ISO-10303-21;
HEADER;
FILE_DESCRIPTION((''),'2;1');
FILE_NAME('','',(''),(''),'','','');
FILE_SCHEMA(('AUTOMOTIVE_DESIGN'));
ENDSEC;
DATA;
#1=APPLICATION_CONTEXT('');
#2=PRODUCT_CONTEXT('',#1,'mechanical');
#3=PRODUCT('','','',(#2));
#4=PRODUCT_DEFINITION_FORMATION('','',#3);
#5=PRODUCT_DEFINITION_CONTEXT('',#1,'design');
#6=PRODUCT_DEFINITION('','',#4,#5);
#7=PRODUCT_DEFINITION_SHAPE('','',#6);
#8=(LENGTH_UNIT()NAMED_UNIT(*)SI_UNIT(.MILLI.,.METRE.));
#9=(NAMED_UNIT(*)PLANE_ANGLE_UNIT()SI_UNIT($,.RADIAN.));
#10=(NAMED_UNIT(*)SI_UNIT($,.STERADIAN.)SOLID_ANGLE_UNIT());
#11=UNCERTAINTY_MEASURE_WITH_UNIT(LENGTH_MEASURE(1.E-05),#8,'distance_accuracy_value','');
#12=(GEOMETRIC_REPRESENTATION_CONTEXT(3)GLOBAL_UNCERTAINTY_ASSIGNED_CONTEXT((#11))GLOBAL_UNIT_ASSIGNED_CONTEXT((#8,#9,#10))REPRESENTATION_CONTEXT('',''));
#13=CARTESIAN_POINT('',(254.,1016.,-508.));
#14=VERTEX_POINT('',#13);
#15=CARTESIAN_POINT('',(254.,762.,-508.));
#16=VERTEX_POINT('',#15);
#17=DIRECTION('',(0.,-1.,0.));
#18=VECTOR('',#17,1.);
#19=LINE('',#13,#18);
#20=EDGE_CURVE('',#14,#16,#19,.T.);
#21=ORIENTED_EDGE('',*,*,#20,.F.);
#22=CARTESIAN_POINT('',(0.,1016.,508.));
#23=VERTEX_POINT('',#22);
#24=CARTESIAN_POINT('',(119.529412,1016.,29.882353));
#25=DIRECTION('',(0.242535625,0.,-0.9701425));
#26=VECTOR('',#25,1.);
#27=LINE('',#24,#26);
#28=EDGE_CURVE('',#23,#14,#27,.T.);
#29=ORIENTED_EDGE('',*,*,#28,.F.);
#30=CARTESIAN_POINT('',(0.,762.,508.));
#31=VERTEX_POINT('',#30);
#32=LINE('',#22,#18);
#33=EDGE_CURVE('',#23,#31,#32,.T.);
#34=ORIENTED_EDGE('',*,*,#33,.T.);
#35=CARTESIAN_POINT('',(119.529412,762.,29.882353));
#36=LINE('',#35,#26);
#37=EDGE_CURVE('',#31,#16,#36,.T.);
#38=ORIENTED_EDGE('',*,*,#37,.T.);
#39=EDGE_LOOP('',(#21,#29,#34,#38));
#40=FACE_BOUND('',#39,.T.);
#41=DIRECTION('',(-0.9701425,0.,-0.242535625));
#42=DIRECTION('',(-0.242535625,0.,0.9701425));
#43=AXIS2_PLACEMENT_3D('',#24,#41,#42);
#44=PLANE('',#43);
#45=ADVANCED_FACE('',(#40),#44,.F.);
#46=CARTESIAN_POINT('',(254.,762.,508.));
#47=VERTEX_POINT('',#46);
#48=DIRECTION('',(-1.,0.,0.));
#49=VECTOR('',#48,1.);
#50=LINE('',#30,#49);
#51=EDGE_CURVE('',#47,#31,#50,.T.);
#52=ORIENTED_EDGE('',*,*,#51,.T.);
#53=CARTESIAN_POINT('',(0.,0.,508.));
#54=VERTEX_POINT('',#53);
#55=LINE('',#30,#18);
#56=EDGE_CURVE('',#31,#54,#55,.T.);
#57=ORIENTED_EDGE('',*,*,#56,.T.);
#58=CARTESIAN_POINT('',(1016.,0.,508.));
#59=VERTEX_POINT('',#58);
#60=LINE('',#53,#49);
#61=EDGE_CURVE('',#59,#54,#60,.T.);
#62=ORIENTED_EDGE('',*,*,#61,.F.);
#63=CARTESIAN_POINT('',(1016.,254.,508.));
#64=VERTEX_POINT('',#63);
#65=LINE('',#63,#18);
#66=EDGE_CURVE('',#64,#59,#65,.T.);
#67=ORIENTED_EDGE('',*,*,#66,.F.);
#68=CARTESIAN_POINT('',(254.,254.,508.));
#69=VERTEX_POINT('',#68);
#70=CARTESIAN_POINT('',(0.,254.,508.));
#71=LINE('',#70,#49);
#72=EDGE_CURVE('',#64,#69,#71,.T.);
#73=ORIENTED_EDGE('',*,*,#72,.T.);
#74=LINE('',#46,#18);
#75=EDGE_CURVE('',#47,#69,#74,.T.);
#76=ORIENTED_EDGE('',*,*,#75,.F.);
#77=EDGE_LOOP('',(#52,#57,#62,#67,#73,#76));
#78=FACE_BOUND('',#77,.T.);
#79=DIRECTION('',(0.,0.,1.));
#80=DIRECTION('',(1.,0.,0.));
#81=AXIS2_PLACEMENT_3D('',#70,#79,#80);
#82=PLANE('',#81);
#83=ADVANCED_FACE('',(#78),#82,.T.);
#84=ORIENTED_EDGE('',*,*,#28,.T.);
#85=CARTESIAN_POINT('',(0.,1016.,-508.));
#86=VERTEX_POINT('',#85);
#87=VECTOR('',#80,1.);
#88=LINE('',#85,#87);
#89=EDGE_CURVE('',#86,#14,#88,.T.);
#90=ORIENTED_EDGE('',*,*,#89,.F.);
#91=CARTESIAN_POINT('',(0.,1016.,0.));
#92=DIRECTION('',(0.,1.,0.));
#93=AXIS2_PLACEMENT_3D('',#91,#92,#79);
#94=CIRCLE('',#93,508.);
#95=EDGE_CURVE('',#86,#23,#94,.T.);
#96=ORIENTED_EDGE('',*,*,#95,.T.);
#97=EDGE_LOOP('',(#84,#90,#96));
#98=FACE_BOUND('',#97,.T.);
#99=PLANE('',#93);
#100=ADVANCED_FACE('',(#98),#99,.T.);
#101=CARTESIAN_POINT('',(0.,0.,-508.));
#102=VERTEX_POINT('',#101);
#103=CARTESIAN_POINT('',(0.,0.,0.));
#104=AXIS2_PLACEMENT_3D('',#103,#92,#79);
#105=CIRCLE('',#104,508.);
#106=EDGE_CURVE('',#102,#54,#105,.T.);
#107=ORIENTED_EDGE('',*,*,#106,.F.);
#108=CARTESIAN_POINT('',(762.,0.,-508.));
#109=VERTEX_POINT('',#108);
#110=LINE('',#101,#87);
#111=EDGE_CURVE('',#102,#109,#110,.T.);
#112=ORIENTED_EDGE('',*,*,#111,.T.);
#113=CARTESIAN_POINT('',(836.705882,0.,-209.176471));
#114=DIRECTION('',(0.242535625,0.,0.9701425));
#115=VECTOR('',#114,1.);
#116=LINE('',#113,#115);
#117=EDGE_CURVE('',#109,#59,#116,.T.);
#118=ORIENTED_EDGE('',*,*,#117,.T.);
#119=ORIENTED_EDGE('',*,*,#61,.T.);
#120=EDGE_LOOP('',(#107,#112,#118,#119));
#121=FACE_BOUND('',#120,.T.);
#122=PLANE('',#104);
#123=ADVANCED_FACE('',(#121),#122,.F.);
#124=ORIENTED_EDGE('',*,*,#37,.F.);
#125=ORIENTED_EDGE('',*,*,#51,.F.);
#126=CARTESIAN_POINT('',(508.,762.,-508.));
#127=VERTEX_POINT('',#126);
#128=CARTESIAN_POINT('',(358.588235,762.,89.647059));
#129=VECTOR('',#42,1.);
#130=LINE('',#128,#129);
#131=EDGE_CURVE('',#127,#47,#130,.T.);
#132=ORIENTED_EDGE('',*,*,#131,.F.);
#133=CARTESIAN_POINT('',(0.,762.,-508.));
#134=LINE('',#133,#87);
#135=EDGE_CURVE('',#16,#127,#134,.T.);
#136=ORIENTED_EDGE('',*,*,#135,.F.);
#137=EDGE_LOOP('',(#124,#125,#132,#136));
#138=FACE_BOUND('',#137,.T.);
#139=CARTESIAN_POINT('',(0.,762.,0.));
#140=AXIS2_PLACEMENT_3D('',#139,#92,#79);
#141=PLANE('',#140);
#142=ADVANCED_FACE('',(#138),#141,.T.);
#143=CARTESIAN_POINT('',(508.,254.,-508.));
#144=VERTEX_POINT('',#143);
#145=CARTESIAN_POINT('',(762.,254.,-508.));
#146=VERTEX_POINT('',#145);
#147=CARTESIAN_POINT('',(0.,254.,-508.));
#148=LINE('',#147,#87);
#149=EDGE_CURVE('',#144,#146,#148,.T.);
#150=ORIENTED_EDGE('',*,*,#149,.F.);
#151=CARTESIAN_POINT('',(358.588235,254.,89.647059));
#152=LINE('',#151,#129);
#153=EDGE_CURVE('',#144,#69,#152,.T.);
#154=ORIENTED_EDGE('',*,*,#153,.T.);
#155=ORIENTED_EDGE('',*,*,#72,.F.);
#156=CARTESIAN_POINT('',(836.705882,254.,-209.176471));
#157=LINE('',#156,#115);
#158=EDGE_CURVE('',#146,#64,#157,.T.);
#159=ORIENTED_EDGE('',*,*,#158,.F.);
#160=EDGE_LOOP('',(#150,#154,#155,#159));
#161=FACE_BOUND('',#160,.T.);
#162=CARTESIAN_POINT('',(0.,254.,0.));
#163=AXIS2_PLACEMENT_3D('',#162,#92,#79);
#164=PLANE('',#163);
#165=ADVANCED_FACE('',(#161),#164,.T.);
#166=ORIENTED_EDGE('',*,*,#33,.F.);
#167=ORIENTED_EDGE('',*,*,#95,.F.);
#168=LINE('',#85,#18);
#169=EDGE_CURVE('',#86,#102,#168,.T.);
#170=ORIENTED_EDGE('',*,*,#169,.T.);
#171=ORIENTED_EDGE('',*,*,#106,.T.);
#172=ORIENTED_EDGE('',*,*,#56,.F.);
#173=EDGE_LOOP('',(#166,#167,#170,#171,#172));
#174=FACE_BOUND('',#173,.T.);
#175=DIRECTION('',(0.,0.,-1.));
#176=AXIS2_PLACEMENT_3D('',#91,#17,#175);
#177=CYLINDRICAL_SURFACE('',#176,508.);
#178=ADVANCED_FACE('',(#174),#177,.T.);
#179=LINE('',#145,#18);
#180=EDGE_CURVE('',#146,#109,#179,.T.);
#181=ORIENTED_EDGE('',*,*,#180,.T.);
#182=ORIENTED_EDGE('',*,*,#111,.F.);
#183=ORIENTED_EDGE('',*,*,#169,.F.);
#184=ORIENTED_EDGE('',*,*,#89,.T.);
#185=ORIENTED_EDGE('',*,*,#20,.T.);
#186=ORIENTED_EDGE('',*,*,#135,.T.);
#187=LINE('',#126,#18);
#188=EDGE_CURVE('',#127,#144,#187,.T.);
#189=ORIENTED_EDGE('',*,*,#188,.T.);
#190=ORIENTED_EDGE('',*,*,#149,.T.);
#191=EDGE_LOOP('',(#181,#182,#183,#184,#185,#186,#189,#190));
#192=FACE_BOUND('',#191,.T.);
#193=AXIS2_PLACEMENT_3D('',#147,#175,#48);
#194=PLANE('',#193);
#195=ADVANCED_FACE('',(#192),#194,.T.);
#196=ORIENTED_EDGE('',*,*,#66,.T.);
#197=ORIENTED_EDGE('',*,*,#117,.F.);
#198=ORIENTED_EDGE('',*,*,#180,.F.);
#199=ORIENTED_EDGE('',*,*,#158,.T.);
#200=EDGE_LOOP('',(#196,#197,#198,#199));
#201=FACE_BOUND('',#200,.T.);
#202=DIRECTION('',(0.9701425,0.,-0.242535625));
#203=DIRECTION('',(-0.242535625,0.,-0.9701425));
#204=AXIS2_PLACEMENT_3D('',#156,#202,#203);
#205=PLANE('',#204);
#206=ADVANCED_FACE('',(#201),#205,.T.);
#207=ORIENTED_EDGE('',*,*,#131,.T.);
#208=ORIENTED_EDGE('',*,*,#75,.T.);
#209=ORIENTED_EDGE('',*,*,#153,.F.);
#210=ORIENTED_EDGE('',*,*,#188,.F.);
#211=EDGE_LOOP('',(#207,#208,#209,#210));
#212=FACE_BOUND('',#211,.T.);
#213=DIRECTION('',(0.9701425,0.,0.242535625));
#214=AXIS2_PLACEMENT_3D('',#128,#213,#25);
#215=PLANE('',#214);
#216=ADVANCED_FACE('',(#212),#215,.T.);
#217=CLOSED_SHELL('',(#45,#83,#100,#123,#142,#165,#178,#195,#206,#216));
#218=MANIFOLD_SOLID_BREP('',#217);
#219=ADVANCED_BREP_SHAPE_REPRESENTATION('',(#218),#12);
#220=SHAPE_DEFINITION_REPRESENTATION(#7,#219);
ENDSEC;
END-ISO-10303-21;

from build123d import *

# Parameters (mm, degrees)
BOSS_EXTRUDE1_DEPTH = 254
BOSS_EXTRUDE2_DEPTH = 762
BOSS_EXTRUDE3_DEPTH = 1016


with BuildPart() as part:
    # Sketch1 → Boss-Extrude1 (new body)
    with BuildSketch(Plane(origin=(0, 0, 0), x_dir=(1, 0, 0), z_dir=(0, 1, 0))):
        Polygon((762, 508), (508, 508), (254, -508), (1016, -508), align=None)
    extrude(amount=BOSS_EXTRUDE1_DEPTH)

    # Sketch1<3> → Boss-Extrude2 (add)
    with BuildSketch(Plane(origin=(0, 0, 0), x_dir=(1, 0, 0), z_dir=(0, 1, 0))):
        Polygon((508, 508), (254, 508), (0, -508), (254, -508), align=None)
    extrude(amount=BOSS_EXTRUDE2_DEPTH)

    # Sketch1<4> → Boss-Extrude3 (add)
    with BuildSketch(Plane(origin=(0, 0, 0), x_dir=(1, 0, 0), z_dir=(0, 1, 0))):
        with BuildLine():
            Line((254, 508), (0, 508))
            ThreePointArc((0, 508), (-508, 0), (0, -508))
            Line((0, -508), (254, 508))
        make_face()
    extrude(amount=BOSS_EXTRUDE3_DEPTH)


solid = part.part
